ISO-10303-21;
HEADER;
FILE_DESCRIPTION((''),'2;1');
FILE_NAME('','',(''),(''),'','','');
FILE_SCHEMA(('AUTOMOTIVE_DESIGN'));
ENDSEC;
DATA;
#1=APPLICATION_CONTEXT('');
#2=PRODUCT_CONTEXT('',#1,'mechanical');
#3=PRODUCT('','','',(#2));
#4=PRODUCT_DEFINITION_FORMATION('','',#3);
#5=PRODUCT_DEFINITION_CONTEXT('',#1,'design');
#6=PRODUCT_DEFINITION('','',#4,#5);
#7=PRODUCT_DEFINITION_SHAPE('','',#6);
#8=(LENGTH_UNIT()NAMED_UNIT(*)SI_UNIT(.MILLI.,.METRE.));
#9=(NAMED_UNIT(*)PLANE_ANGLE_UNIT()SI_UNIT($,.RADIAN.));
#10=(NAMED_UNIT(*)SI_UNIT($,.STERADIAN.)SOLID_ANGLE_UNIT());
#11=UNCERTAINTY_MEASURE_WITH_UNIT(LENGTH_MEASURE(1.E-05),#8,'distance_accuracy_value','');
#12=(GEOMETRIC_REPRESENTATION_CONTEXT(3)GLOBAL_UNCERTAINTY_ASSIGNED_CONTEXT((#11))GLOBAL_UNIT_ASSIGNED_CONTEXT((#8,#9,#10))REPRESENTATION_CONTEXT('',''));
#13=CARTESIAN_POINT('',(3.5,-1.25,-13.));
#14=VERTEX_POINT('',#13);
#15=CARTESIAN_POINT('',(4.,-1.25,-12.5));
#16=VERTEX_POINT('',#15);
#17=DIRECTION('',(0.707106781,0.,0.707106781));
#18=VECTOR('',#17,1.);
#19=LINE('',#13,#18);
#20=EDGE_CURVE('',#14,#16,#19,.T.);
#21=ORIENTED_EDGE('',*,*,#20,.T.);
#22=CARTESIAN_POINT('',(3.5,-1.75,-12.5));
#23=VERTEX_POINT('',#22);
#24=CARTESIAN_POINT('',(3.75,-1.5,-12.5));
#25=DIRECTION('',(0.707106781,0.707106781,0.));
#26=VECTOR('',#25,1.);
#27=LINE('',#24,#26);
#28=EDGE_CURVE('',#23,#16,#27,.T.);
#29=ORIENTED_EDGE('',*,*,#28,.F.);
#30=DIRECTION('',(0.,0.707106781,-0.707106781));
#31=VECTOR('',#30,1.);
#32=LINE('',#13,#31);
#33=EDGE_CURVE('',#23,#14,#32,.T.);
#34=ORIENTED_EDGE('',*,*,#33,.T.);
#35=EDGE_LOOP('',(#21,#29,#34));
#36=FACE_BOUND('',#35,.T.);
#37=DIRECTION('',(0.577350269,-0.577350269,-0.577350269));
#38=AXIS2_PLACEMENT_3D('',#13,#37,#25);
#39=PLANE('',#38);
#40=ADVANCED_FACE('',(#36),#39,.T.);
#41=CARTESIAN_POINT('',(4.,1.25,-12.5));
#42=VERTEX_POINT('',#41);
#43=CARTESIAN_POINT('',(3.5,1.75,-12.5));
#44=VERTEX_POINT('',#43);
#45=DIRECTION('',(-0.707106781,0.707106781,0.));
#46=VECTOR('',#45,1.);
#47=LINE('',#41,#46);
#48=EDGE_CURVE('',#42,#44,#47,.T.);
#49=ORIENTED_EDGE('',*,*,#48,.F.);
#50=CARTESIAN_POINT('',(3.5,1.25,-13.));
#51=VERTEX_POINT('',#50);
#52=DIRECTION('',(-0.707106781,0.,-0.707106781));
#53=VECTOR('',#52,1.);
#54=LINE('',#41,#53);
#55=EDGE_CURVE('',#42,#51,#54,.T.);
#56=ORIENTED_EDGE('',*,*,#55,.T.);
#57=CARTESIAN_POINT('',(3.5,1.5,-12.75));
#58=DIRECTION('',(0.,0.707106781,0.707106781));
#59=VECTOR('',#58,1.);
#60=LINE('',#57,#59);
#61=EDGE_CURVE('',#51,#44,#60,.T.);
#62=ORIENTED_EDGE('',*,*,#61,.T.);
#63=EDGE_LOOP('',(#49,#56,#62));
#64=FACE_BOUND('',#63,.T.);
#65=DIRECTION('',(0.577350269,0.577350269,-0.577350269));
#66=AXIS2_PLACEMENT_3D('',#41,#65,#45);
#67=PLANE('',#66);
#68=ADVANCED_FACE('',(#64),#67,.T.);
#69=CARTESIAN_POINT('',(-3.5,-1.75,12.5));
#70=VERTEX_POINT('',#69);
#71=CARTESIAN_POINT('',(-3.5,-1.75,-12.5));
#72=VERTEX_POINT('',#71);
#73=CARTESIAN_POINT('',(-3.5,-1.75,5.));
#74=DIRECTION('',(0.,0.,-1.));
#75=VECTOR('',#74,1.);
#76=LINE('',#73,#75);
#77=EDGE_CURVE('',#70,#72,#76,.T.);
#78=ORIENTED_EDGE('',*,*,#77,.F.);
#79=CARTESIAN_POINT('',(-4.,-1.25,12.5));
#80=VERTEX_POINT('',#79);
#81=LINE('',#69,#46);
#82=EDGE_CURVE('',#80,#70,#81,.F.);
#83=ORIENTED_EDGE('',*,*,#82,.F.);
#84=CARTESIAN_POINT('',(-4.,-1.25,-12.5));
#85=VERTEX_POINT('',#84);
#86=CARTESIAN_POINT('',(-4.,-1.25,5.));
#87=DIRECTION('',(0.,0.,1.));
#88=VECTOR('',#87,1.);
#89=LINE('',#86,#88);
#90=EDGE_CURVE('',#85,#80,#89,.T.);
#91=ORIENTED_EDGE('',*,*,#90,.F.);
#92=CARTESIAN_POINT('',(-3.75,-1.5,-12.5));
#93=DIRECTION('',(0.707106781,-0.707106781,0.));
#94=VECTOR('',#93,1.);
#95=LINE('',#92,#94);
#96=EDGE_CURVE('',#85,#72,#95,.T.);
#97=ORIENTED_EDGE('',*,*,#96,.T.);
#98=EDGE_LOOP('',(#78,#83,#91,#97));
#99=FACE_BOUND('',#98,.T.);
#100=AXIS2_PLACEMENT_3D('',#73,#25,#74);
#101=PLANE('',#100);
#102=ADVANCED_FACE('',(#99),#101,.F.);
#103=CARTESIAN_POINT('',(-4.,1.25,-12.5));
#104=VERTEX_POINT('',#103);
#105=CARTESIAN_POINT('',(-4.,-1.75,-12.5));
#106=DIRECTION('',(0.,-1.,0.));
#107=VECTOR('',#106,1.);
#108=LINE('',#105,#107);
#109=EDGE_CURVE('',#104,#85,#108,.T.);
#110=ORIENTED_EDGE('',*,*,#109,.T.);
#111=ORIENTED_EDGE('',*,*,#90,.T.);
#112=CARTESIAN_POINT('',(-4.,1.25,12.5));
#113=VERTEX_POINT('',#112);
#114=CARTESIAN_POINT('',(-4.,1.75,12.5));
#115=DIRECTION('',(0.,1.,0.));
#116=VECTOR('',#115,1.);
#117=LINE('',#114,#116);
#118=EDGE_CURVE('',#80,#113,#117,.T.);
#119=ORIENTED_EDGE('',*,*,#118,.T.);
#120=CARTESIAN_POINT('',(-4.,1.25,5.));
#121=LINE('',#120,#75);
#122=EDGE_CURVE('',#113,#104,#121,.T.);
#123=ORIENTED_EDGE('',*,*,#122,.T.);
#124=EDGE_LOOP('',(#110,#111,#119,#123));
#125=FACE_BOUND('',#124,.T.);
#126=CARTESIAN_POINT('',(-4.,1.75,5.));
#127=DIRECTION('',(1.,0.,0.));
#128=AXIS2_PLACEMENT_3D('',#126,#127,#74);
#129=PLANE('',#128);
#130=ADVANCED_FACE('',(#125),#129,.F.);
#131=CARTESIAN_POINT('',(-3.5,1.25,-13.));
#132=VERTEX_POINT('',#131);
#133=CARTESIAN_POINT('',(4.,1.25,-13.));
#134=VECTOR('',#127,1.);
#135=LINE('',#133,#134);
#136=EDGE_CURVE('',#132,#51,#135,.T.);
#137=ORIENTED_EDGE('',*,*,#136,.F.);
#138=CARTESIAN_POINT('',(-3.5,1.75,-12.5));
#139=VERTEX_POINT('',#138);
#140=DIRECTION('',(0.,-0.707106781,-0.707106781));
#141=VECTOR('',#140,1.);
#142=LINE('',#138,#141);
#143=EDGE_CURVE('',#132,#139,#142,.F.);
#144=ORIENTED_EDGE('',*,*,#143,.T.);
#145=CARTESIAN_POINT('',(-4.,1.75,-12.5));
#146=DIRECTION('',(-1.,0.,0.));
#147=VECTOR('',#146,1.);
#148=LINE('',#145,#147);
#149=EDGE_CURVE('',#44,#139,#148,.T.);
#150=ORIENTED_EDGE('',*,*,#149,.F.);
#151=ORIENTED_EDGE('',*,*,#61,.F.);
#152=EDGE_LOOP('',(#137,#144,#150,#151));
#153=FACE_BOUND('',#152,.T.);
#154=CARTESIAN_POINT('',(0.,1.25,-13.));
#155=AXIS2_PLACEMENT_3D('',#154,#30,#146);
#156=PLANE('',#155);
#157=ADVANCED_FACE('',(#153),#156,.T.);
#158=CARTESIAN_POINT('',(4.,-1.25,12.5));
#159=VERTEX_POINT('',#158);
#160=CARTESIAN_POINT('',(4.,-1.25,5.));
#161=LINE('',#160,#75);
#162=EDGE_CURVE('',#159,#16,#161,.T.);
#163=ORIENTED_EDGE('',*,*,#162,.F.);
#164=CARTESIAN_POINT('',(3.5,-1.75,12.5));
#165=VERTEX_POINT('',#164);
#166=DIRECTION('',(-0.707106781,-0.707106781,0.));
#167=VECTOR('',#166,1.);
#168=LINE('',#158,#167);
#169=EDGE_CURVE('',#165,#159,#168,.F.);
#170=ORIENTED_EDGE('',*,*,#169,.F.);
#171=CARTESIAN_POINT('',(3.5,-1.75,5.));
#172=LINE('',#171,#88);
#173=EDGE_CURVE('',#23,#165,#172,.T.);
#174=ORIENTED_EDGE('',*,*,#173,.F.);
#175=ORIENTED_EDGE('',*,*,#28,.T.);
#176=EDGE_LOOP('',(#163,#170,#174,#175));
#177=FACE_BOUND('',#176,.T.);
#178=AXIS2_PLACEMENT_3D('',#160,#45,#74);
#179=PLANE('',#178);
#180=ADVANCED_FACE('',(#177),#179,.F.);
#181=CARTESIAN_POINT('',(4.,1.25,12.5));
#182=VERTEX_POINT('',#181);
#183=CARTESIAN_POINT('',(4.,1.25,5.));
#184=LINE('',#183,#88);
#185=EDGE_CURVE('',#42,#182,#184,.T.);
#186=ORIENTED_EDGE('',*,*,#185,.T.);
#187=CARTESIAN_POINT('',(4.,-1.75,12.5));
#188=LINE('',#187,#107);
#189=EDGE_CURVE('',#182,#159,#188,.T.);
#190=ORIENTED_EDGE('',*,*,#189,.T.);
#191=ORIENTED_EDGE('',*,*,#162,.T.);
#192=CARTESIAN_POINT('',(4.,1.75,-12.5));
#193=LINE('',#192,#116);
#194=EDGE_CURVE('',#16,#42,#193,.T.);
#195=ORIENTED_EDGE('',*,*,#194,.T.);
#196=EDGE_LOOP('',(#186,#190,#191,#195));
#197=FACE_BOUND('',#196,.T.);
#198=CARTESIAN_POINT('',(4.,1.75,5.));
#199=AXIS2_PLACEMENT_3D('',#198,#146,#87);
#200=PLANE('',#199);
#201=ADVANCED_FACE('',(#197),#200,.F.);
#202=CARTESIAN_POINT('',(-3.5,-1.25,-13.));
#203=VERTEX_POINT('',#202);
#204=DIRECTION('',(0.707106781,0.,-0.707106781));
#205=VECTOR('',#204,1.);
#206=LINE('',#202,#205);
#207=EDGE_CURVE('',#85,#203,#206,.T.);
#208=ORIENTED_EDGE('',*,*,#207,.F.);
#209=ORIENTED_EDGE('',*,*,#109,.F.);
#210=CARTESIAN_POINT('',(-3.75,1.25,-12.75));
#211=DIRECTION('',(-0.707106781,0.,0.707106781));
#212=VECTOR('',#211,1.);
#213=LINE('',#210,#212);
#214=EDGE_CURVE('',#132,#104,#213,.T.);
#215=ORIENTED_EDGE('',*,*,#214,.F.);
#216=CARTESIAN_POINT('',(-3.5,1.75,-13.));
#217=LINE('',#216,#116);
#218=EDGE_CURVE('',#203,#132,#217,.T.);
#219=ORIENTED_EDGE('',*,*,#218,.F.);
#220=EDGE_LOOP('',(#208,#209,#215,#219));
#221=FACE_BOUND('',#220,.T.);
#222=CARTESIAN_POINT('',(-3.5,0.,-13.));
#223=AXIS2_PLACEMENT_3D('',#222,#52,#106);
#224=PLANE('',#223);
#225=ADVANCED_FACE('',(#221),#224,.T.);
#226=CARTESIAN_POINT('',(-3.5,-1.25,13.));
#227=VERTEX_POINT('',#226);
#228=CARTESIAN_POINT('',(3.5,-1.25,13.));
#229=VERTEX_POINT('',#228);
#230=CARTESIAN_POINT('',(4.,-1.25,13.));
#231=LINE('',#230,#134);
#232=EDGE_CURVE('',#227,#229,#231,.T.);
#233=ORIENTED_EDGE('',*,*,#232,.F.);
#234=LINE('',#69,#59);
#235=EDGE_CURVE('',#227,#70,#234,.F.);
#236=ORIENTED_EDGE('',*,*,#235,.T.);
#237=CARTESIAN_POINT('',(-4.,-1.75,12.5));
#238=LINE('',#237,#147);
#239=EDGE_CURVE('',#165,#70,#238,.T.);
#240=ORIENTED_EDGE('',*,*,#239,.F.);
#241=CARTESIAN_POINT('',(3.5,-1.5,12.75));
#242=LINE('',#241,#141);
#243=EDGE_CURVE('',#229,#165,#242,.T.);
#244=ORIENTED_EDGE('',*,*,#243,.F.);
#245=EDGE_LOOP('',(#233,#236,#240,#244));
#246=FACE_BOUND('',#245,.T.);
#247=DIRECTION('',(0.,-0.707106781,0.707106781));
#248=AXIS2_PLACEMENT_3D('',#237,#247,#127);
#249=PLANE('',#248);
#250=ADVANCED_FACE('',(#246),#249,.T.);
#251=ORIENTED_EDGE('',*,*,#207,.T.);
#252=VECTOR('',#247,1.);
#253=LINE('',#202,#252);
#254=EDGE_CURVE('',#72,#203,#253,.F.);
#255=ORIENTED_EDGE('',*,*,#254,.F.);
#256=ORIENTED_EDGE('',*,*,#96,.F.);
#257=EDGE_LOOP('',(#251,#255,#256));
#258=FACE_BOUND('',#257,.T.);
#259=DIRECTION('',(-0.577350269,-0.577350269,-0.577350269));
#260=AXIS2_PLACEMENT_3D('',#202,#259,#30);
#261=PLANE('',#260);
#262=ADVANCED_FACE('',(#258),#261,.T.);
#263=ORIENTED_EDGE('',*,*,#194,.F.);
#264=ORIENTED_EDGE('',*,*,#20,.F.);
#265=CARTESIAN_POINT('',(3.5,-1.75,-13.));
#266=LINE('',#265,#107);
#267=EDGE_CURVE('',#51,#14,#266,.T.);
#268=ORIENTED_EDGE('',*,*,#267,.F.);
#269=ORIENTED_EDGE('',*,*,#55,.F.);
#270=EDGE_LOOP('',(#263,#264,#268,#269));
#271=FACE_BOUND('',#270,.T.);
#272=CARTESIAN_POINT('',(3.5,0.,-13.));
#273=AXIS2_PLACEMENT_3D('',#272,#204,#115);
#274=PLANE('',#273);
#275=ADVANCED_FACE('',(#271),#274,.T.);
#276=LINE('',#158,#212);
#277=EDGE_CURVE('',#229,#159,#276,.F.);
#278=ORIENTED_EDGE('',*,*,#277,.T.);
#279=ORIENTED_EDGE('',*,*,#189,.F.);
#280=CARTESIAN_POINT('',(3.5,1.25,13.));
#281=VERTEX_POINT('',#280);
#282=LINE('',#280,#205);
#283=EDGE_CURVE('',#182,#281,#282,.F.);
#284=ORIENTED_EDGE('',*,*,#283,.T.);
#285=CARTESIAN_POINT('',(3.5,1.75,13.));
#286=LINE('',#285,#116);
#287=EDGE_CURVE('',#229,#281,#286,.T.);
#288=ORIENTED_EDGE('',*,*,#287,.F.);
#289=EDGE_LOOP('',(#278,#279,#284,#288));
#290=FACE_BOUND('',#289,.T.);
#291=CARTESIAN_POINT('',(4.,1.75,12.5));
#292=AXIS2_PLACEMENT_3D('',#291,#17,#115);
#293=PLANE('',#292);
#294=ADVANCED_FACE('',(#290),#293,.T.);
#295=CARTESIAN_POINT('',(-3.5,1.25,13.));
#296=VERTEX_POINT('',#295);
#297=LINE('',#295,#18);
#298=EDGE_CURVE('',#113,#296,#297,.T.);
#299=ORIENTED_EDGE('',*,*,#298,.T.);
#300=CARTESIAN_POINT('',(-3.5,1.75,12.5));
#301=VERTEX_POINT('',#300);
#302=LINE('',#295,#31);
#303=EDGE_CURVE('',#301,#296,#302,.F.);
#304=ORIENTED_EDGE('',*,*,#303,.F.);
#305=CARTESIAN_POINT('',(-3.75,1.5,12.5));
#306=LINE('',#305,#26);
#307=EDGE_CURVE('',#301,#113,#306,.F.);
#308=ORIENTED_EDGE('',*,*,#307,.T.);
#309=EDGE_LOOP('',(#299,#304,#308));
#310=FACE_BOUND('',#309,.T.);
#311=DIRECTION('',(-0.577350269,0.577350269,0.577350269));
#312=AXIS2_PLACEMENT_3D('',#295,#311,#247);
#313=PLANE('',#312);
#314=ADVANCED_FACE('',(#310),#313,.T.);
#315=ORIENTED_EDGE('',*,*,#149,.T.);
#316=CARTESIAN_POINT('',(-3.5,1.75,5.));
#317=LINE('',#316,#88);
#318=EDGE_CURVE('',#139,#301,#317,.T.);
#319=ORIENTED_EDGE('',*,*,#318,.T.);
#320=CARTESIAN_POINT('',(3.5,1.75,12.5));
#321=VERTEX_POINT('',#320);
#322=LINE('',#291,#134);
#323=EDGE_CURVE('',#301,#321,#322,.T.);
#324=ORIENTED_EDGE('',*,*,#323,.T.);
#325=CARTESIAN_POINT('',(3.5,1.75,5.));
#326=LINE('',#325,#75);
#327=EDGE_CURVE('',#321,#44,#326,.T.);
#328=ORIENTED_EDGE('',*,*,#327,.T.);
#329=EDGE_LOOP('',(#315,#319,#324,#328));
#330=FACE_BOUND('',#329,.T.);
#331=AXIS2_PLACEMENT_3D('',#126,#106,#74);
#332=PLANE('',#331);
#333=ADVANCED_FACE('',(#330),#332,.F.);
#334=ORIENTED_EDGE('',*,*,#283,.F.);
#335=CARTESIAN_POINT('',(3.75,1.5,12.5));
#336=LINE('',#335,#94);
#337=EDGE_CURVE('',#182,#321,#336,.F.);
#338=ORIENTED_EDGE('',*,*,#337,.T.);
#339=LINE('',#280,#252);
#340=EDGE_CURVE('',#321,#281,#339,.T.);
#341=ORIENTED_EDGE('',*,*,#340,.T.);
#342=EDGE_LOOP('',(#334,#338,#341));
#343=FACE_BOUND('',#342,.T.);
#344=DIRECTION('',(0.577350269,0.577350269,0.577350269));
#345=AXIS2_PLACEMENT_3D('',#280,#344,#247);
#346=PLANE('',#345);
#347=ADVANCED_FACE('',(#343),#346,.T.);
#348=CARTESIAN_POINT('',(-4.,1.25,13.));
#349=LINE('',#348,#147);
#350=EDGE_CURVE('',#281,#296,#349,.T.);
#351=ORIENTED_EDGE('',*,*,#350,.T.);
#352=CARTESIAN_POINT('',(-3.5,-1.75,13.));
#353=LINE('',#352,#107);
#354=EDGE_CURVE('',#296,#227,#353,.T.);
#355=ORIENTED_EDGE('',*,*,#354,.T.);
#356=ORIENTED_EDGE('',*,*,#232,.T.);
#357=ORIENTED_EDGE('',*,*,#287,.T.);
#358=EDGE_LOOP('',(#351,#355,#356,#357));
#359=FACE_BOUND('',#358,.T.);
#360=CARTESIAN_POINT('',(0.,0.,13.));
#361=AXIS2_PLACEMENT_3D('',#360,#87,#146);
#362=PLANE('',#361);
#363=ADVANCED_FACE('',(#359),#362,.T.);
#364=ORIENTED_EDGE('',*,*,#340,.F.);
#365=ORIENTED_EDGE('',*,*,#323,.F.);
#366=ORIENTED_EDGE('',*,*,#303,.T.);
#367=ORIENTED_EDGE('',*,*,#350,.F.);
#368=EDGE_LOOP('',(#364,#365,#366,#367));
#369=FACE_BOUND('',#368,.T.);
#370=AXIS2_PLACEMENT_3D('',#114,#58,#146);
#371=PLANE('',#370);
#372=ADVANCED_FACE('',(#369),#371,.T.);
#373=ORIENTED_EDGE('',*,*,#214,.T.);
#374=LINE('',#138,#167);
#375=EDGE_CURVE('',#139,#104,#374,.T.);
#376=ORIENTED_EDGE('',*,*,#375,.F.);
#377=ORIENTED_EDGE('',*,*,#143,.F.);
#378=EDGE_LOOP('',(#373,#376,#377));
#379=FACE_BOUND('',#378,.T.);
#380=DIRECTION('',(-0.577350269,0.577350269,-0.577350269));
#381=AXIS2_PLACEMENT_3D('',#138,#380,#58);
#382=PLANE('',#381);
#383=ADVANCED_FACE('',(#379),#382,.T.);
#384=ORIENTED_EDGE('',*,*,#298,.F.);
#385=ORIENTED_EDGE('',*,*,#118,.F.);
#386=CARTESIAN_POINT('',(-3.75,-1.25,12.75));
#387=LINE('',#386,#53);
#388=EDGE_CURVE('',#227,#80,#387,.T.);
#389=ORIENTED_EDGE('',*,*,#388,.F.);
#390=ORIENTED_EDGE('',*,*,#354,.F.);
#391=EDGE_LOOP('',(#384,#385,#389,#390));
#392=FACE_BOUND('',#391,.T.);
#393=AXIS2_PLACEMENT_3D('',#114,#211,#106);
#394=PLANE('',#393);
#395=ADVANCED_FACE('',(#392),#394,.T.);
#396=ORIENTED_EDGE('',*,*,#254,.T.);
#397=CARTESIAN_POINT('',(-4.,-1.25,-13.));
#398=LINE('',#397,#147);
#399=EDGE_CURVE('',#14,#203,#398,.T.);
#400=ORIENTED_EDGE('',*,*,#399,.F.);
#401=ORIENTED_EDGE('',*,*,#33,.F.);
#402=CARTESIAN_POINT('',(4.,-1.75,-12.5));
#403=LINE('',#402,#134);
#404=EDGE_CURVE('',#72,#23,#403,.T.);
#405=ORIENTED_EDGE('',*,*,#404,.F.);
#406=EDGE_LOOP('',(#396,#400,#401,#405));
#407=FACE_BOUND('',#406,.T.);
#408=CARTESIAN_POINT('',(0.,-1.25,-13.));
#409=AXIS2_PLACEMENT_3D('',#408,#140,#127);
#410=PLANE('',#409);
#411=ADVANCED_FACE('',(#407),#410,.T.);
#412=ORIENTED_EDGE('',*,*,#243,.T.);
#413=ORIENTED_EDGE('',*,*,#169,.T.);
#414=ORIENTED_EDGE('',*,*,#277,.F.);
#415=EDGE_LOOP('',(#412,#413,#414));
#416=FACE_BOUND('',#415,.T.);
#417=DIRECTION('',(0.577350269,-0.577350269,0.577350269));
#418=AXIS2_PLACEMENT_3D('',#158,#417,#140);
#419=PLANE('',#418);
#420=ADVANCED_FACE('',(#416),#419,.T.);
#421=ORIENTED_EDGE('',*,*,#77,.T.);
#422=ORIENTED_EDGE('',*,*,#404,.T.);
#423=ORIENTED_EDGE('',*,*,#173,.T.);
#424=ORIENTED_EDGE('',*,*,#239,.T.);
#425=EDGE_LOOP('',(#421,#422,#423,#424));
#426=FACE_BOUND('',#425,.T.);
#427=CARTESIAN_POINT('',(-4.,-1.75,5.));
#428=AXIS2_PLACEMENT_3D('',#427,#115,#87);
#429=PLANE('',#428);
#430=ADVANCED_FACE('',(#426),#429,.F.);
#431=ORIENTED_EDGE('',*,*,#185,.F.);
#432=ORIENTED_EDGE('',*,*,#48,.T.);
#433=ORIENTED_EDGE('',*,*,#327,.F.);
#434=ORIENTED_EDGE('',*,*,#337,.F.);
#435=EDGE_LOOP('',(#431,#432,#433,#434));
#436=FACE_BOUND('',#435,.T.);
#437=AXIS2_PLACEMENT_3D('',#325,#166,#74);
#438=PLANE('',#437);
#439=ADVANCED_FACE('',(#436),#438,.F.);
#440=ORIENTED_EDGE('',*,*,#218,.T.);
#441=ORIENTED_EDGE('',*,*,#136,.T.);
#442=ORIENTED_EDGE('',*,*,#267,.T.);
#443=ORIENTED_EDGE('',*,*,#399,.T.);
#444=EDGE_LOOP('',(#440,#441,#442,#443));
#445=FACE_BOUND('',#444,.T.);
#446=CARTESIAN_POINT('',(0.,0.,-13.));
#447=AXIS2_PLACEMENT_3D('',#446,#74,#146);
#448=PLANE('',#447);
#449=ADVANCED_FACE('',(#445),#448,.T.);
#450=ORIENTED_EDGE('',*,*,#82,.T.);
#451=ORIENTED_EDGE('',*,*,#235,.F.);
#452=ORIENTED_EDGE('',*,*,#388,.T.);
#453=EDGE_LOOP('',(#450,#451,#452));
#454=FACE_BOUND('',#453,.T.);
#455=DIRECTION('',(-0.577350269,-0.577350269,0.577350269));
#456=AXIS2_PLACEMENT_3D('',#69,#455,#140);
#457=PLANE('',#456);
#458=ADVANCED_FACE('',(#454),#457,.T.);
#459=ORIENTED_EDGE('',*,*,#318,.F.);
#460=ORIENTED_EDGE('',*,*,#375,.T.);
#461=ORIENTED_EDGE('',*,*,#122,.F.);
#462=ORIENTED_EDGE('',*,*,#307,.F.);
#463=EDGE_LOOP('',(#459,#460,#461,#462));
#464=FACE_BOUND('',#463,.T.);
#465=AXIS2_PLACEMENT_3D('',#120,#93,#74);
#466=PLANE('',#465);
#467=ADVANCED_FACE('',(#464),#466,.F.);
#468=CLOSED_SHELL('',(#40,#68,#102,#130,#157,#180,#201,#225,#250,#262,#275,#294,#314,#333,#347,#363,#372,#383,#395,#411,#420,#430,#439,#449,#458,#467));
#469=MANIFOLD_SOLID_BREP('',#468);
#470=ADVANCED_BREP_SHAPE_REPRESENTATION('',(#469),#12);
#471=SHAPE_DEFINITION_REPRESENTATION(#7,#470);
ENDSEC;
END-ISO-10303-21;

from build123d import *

# Parameters (mm, degrees)
SKETCH1_W           = 8
SKETCH1_H           = 3.5
BOSS_EXTRUDE1_DEPTH = 5
SKETCH2_W           = 8
SKETCH2_H           = 3.5
BOSS_EXTRUDE2_DEPTH = 8
CHAMFER1_SIZE       = 0.5


with BuildPart() as part:
    # Sketch1 → Boss-Extrude1 (new, symmetric)
    with BuildSketch(Plane.XY):
        Rectangle(SKETCH1_W, SKETCH1_H)
    extrude(amount=BOSS_EXTRUDE1_DEPTH, both=True)

    # Sketch2 → Boss-Extrude2 (add)
    with BuildSketch(Plane(origin=(0, 0, -5), x_dir=(-1, 0, 0), z_dir=(0, 0, -1))):
        Rectangle(SKETCH2_W, SKETCH2_H)
    boss_extrude2 = extrude(amount=BOSS_EXTRUDE2_DEPTH)

    # Mirror1: Boss-Extrude2 across plane
    add(boss_extrude2.mirror(Plane.XY))

    # Chamfer1
    chamfer1_edges = [part.edges().sort_by_distance(p)[0] for p in [
        (-4, 0, -13),
        (0, 1.75, -13),
        (4, 0, -13),
        (0, -1.75, -13),
        (-4, 0, 13),
        (0, -1.75, 13),
        (4, 0, 13),
        (0, 1.75, 13),
        (4, -1.75, 0),
        (-4, -1.75, 0),
        (-4, 1.75, 0),
        (4, 1.75, 0),
    ]]
    chamfer(chamfer1_edges, length=CHAMFER1_SIZE)


solid = part.part
